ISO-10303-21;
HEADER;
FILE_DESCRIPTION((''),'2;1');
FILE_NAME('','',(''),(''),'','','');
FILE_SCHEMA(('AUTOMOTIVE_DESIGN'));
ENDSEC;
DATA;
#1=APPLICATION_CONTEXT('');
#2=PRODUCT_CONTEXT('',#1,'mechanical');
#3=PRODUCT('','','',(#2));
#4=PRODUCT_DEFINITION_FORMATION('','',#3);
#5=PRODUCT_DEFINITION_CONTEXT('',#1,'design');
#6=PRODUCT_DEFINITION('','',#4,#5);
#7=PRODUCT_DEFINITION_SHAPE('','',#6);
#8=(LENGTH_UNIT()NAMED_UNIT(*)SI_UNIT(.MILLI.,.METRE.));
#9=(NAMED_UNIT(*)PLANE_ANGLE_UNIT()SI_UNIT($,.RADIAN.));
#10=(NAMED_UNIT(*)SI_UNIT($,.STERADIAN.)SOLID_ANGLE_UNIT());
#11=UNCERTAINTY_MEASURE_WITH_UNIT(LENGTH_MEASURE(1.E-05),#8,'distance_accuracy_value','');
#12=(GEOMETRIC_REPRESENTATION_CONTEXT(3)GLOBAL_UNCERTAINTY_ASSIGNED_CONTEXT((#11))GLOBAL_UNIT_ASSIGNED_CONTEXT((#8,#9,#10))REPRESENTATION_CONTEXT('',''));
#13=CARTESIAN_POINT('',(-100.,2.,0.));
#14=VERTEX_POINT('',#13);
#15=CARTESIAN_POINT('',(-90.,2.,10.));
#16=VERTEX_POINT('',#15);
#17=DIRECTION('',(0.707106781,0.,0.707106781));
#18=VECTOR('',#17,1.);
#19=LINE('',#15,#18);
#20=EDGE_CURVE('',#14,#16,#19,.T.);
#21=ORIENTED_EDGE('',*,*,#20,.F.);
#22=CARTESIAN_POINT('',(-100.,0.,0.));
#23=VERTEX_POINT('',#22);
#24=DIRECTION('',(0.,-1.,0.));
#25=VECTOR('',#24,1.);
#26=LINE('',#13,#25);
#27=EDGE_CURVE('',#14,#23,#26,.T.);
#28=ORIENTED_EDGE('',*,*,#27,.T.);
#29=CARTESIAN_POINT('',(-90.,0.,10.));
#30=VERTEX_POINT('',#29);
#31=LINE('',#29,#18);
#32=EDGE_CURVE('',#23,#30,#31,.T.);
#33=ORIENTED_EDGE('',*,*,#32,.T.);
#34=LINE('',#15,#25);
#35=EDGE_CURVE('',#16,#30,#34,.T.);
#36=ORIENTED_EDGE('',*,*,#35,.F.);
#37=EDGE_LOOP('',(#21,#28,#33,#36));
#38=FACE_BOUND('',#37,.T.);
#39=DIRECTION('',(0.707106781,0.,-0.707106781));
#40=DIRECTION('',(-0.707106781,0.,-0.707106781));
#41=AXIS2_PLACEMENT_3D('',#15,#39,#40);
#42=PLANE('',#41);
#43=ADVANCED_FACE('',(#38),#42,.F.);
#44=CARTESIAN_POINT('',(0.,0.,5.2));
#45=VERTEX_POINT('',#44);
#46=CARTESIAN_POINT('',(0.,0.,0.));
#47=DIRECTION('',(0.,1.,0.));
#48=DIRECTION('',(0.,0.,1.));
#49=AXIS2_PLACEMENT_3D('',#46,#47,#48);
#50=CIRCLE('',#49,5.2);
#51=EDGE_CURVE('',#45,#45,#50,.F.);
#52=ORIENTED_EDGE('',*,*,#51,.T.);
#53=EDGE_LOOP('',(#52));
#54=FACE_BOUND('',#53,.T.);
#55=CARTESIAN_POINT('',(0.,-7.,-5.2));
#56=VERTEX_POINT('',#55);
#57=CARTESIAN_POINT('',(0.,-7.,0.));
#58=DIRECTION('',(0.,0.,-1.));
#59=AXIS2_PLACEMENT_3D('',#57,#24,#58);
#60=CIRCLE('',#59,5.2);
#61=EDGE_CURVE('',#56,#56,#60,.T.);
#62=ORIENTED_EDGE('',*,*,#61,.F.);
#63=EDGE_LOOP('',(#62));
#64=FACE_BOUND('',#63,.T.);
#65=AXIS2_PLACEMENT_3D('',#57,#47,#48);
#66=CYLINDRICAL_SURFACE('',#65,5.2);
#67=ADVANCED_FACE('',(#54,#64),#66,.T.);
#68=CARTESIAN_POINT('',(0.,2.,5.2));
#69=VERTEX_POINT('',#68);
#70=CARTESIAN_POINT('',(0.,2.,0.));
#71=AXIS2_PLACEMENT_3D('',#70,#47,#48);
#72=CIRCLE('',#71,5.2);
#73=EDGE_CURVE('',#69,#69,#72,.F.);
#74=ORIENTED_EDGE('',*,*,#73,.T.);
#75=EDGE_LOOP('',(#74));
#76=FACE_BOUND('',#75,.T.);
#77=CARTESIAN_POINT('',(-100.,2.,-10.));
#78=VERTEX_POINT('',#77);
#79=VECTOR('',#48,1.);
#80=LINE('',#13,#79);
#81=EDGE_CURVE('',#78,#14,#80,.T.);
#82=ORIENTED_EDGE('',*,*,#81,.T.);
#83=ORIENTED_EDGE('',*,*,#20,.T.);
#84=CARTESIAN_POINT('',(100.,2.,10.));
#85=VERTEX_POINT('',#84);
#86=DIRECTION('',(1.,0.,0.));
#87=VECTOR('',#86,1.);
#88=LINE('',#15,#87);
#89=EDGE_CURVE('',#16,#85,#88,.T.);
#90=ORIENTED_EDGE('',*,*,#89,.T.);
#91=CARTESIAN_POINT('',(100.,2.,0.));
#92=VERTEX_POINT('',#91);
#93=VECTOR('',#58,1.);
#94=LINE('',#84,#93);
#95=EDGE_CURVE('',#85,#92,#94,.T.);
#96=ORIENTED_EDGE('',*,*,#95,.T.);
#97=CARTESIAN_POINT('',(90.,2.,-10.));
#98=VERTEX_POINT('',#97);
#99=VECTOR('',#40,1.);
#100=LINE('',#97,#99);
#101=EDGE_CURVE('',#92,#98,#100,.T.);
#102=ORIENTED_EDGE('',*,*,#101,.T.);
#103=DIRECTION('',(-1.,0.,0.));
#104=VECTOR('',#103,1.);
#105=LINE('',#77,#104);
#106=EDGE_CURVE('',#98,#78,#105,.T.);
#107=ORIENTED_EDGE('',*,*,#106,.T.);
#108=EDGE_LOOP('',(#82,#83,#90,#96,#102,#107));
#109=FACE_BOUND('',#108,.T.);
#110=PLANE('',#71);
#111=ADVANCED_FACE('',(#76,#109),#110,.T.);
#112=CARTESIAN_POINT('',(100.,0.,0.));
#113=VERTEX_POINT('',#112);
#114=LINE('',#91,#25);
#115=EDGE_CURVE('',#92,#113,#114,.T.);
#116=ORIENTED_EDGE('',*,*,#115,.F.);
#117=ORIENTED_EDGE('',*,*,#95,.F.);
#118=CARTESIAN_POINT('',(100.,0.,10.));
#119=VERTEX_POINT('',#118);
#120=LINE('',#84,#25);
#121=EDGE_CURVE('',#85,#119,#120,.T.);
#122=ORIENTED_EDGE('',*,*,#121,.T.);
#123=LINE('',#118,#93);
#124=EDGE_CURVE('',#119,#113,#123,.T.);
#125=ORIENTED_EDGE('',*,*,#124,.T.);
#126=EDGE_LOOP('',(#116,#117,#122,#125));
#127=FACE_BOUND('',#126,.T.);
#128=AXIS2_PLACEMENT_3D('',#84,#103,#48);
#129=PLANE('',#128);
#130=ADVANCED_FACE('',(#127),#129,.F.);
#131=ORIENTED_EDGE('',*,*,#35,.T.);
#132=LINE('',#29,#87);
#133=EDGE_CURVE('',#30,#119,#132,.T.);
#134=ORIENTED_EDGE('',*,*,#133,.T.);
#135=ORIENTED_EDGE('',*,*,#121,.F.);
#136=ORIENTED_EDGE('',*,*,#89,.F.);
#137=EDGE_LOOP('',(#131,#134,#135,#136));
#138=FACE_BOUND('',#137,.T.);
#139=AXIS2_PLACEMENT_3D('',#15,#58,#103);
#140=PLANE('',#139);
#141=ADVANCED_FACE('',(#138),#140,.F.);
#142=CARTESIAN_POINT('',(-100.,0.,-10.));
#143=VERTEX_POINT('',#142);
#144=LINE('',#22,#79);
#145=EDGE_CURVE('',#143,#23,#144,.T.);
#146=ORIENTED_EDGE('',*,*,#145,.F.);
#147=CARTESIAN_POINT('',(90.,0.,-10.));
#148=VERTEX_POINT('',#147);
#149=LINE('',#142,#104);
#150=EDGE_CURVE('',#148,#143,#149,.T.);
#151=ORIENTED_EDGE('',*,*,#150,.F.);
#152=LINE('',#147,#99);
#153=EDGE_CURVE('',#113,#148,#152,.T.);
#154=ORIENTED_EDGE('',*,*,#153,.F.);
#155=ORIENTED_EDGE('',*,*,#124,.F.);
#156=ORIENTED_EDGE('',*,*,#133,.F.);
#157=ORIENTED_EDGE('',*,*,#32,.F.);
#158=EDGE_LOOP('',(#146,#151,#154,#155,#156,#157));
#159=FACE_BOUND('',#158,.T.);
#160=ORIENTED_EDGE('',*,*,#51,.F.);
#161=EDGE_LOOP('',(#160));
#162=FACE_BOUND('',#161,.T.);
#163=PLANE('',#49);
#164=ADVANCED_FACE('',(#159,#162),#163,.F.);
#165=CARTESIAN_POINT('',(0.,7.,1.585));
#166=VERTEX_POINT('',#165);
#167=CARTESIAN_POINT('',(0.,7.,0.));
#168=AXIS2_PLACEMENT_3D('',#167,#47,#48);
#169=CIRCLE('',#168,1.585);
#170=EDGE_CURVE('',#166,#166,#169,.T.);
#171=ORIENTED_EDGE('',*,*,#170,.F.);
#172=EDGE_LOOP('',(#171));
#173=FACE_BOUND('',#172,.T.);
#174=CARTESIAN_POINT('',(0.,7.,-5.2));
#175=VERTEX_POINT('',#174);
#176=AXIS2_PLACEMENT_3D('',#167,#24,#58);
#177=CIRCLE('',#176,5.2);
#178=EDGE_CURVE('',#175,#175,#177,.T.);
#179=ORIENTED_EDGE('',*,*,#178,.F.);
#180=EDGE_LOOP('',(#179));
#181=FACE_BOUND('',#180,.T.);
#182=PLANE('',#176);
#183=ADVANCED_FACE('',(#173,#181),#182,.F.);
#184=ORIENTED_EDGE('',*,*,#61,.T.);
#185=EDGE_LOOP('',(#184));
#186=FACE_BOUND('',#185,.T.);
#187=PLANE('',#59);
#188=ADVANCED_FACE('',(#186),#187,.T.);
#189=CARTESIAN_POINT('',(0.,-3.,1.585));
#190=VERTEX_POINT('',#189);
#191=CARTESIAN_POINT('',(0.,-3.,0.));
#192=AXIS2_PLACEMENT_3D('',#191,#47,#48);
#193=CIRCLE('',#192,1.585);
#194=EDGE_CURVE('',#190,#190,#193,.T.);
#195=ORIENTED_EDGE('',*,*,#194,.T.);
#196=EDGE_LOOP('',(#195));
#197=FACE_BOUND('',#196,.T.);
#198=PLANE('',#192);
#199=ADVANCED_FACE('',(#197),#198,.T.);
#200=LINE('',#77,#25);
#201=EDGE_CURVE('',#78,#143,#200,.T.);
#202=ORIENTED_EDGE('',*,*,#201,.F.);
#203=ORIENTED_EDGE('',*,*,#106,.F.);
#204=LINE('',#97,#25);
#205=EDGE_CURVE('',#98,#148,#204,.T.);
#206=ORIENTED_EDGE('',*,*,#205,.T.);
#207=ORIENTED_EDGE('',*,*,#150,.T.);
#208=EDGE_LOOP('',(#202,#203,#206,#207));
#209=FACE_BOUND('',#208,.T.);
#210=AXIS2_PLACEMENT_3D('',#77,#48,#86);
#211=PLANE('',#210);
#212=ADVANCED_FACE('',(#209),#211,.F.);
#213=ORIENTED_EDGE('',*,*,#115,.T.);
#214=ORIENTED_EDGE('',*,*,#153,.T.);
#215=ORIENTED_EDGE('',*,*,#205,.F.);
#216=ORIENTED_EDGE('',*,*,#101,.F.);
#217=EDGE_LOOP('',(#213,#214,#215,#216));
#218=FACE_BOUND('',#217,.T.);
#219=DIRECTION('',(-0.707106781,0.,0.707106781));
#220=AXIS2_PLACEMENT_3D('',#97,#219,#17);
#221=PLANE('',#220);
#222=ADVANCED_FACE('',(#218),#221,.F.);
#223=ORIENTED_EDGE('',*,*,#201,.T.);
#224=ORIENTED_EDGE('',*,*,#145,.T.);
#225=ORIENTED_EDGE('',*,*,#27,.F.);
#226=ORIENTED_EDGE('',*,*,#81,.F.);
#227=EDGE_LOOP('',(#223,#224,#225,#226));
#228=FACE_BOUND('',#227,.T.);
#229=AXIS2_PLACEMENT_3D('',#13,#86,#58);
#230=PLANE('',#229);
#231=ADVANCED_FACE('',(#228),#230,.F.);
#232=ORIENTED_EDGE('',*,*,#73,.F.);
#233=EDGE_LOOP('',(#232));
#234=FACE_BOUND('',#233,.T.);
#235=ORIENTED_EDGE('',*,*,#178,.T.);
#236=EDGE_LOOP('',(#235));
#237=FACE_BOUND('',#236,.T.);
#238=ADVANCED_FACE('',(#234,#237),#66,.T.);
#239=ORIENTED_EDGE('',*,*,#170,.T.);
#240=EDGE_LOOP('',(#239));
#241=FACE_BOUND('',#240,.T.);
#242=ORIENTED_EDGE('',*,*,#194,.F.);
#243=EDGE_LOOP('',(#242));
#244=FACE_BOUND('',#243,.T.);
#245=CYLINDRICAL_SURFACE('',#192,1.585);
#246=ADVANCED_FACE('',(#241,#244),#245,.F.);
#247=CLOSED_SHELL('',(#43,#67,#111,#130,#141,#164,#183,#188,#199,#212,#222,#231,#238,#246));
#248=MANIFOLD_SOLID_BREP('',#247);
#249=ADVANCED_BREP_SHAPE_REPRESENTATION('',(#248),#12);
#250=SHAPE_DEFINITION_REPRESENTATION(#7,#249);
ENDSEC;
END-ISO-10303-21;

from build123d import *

# Parameters (mm, degrees)
SKETCH_1_R          = 1.585
EXTRUDE_1_DEPTH     = 2
SKETCH_2_R          = 5.2
EXTRUDE_2_DEPTH     = 7
SKETCH_3_R          = 1.585
CUT_EXTRUDE_1_DEPTH = 10


with BuildPart() as part:
    # 草图1 → 凸台-拉伸1 (new body)
    with BuildSketch(Plane(origin=(0, 0, 0), x_dir=(1, 0, 0), z_dir=(0, 1, 0))):
        Polygon((90, 10), (100, 0), (100, -10), (-90, -10), (-100, 0), (-100, 10), align=None)
        Circle(SKETCH_1_R, mode=Mode.SUBTRACT)
    extrude(amount=EXTRUDE_1_DEPTH)

    # 草图2 → 凸台-拉伸2 (add, symmetric)
    with BuildSketch(Plane.XZ):
        Circle(SKETCH_2_R)
    extrude(amount=EXTRUDE_2_DEPTH, both=True)

    # 草图3 → 切除-拉伸1 (cut)
    with BuildSketch(Plane(origin=(0, 7, 0), x_dir=(1, 0, 0), z_dir=(0, 1, 0))):
        Circle(SKETCH_3_R)
    extrude(amount=-CUT_EXTRUDE_1_DEPTH, mode=Mode.SUBTRACT)


solid = part.part
